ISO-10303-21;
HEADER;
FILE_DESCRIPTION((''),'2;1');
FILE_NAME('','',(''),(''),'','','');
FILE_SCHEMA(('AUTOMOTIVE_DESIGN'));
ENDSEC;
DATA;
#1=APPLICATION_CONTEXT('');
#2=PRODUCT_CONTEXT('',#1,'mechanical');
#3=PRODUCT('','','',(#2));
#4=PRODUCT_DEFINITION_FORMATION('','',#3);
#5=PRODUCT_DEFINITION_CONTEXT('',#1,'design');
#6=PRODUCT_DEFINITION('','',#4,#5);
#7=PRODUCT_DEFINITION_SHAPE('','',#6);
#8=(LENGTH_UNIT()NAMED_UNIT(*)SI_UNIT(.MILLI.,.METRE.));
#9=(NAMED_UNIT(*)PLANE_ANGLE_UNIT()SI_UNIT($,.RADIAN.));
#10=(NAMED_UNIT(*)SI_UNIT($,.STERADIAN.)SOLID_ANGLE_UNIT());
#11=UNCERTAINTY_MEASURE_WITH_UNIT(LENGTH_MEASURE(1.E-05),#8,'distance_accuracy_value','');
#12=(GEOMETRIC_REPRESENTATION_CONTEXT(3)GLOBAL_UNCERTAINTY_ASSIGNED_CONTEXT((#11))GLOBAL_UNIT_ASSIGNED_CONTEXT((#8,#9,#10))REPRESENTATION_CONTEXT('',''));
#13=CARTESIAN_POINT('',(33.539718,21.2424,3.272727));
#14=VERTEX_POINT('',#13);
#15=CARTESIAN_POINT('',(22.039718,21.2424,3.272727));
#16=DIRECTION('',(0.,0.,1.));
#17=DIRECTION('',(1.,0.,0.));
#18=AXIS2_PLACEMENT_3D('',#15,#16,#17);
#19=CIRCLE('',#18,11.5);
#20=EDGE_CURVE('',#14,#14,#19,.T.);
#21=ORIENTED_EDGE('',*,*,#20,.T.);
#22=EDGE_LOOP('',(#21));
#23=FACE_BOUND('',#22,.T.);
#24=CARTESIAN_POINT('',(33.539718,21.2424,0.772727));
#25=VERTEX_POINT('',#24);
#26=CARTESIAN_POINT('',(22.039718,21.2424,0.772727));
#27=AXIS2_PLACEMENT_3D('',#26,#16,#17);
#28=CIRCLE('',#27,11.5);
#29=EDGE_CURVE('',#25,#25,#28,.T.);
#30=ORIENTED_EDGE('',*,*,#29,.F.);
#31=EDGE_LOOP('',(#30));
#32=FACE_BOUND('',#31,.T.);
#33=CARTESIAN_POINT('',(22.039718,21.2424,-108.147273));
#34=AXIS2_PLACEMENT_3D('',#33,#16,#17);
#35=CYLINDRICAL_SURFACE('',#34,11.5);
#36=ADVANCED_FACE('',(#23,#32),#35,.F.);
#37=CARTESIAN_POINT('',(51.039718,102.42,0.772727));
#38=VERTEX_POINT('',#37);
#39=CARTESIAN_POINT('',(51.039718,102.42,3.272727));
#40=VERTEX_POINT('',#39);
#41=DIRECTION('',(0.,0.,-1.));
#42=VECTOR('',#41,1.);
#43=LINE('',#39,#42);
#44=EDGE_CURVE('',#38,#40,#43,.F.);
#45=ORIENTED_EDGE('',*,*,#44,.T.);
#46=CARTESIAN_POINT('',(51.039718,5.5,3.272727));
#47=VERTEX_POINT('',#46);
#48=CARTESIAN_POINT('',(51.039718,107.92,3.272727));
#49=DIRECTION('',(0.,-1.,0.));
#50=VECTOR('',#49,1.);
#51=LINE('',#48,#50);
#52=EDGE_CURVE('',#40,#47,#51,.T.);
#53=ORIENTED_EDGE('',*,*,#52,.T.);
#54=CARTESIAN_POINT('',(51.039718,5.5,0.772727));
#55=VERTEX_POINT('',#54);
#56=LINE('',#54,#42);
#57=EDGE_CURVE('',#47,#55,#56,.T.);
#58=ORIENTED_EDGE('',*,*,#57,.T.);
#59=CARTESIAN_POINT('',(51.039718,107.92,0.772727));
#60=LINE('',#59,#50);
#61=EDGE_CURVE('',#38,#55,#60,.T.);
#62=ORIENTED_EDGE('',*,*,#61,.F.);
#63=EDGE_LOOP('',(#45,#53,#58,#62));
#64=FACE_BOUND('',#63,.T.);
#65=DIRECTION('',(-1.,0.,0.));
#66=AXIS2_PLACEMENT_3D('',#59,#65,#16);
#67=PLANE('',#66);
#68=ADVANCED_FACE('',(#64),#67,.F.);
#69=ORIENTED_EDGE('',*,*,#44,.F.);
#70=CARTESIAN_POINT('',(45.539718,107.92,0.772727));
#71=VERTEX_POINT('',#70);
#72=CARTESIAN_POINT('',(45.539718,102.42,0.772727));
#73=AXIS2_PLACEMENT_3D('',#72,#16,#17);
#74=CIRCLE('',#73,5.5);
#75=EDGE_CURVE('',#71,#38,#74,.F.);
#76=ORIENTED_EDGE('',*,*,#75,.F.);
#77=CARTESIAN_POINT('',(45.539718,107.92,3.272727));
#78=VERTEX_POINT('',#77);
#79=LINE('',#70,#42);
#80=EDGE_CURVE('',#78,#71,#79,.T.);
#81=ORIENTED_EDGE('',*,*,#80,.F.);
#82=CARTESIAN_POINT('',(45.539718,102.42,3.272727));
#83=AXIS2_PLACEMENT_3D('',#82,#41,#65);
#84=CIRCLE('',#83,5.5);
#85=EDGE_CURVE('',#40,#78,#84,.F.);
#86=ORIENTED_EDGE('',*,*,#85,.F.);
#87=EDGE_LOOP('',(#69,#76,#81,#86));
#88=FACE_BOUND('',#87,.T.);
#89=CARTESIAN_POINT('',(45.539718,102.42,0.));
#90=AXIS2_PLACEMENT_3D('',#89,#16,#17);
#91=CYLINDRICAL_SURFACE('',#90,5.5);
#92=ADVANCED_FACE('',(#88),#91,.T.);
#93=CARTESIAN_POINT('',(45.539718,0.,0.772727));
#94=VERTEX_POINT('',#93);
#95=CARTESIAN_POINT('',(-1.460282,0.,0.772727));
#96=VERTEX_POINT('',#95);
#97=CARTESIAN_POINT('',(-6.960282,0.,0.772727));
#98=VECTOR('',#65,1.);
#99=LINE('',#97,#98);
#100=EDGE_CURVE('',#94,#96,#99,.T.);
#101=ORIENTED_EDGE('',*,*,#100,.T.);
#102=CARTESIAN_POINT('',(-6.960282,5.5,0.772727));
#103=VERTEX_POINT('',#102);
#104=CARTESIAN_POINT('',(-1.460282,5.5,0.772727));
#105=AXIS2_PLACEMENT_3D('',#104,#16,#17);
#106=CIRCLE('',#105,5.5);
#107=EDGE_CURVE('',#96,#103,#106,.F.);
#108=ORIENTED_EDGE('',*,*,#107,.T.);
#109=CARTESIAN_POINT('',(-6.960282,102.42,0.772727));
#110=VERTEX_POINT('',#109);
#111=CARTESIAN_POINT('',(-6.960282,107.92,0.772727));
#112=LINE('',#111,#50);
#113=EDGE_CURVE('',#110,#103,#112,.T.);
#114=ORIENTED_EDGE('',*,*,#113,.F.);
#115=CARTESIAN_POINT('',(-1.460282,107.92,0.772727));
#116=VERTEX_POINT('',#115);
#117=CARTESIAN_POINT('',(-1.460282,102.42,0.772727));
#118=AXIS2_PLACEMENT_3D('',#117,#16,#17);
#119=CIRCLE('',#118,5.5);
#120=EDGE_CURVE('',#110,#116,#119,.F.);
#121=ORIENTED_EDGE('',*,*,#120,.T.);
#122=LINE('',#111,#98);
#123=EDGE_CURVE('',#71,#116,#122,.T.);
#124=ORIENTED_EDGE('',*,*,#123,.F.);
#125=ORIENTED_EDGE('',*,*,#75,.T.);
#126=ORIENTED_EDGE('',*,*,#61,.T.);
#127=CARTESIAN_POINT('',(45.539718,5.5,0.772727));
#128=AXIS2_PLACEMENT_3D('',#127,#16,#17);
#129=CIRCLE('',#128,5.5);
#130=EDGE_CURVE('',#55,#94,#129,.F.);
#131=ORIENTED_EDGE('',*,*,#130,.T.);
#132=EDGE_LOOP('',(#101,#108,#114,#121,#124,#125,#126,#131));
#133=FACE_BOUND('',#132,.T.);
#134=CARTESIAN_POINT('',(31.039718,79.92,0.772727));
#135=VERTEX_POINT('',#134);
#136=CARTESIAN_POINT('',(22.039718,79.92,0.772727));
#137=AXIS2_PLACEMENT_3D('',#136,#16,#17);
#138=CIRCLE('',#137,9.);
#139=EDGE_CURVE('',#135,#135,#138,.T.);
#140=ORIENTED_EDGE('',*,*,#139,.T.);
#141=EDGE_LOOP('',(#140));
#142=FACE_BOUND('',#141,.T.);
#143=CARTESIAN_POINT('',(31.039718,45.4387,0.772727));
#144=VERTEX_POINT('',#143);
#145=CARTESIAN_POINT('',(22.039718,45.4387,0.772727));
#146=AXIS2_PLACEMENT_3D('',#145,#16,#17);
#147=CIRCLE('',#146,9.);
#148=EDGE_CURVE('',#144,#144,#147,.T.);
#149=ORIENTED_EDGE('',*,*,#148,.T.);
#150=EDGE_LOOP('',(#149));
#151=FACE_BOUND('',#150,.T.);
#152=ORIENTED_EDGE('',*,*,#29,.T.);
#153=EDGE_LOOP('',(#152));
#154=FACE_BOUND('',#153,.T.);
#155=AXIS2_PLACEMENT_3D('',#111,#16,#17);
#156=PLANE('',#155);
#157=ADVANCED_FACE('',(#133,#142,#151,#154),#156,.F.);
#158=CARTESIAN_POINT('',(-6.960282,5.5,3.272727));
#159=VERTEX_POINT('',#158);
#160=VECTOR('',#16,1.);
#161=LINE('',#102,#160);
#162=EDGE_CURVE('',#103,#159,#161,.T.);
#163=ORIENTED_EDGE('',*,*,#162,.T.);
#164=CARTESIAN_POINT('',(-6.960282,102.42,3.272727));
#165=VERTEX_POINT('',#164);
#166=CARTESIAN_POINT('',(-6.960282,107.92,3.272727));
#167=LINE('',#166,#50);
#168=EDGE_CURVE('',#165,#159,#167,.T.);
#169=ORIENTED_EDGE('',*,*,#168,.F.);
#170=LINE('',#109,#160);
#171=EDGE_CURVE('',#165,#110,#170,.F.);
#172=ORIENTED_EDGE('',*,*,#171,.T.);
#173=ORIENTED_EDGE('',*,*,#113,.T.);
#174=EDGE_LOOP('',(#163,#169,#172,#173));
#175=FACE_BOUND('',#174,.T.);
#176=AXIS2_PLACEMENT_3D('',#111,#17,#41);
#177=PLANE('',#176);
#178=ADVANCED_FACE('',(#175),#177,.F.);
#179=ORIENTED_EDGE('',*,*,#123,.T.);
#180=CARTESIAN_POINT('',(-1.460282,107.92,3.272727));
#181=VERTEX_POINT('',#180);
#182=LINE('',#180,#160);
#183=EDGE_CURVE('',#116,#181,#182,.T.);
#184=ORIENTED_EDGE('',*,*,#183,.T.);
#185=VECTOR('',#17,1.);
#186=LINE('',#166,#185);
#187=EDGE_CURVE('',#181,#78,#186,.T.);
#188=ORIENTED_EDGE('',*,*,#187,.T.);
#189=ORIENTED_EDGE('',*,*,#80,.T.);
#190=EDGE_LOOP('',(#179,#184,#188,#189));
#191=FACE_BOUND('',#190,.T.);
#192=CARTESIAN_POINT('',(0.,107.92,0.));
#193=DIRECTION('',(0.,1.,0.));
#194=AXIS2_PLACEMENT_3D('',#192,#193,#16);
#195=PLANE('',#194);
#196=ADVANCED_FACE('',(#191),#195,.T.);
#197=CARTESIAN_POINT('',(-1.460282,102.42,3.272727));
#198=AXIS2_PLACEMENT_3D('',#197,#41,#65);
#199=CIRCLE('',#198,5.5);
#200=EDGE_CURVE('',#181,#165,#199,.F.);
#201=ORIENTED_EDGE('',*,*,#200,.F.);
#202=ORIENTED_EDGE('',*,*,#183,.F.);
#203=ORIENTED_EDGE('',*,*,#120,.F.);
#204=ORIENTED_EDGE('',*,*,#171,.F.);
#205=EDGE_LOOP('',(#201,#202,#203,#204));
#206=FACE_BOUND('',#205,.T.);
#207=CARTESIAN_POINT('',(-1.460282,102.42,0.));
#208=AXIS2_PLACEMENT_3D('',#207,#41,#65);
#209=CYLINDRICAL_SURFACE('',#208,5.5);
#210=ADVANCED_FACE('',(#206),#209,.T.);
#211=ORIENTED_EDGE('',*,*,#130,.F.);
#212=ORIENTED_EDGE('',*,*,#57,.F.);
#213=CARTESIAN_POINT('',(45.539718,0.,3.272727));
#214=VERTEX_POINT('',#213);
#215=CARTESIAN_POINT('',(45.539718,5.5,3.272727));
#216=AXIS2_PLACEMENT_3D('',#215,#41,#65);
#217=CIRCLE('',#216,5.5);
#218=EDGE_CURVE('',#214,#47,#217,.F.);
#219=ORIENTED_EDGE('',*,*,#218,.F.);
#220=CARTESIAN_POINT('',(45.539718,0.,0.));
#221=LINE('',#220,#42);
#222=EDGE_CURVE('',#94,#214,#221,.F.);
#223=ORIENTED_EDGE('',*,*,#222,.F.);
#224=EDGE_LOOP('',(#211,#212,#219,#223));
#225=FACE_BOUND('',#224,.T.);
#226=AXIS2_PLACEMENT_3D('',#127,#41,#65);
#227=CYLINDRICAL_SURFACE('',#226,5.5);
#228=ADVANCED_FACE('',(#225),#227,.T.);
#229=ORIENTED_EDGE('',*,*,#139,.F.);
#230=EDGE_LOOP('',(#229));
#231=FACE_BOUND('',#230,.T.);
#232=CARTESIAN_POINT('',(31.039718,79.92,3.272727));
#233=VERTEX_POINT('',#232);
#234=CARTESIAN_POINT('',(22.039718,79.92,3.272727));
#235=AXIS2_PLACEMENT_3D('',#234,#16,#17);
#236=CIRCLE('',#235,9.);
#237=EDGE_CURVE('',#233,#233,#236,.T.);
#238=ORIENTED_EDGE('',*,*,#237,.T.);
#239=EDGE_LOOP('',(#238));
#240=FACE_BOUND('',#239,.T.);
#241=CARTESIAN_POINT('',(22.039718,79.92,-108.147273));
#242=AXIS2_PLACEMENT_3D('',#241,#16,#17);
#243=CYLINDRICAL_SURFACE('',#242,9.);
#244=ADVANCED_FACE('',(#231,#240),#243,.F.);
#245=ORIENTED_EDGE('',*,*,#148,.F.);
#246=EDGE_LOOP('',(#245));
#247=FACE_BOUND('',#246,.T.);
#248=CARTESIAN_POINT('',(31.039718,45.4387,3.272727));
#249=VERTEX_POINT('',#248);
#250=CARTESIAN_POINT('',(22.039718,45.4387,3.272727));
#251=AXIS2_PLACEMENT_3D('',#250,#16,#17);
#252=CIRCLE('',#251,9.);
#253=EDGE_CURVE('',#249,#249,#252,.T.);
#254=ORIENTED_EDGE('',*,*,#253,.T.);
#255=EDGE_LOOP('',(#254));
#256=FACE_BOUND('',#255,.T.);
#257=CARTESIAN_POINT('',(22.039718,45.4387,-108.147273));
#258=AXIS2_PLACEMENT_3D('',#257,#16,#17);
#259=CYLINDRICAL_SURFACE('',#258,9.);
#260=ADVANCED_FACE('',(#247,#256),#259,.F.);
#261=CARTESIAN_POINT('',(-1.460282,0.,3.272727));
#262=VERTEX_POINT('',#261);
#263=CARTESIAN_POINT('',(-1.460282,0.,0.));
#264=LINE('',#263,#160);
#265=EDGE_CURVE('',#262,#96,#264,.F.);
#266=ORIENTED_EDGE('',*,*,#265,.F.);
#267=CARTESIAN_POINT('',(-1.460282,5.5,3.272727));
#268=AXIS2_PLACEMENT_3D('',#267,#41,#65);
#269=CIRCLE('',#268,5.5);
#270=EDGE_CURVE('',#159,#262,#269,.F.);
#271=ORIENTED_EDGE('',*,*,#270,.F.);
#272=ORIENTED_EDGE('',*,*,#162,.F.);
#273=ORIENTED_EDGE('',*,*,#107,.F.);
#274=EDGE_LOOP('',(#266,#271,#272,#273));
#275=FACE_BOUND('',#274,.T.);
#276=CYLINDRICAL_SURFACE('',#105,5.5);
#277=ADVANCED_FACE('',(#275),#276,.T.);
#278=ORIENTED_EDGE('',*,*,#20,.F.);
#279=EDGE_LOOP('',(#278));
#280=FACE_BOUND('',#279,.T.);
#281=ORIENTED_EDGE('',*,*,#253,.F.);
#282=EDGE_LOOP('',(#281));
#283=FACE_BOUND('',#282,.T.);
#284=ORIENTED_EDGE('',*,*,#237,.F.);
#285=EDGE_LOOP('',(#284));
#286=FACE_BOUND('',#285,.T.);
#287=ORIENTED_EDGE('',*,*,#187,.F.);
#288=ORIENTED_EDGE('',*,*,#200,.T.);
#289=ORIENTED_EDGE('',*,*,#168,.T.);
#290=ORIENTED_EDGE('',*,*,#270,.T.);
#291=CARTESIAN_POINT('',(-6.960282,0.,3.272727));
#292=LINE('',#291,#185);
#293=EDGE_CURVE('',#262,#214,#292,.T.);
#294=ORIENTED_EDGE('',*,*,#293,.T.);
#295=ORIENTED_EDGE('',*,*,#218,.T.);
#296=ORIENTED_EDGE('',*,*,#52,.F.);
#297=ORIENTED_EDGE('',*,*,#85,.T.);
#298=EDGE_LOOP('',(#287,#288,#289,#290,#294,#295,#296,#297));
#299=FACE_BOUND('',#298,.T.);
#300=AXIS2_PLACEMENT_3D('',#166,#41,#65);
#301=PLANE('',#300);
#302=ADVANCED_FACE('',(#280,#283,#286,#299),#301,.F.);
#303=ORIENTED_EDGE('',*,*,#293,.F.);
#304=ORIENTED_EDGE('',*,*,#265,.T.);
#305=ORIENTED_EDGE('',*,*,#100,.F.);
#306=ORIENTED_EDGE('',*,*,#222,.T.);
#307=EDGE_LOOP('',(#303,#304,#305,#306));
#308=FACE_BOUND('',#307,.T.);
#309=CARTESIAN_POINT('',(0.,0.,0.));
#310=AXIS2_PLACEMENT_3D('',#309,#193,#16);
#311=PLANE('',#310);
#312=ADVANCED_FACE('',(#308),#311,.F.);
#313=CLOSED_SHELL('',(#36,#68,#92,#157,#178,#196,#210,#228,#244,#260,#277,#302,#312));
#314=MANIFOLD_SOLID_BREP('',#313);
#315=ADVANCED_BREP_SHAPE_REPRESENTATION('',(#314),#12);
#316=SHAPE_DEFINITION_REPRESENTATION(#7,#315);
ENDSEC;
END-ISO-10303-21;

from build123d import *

# Parameters (mm, degrees)
ESBO_O1_W                = 58
ESBO_O1_H                = 2.5
RESSALTO_EXTRUS_O1_DEPTH = 107.92
FILETE1_R                = 5.5
ESBO_O2_R                = 9
CORTE_EXTRUS_O1_DEPTH    = 111.42
ESBO_O5_R                = 11.5
CORTE_EXTRUS_O2_DEPTH    = 111.42


with BuildPart() as part:
    # Esboço1 → Ressalto-extrusão1 (new body)
    with BuildSketch(Plane(origin=(0, 0, 0), x_dir=(1, 0, 0), z_dir=(0, 1, 0))):
        with Locations((22.039718439, -2.022727273)):
            Rectangle(ESBO_O1_W, ESBO_O1_H)
    extrude(amount=RESSALTO_EXTRUS_O1_DEPTH)

    # Filete1
    filete1_edges = [part.edges().sort_by_distance(p)[0] for p in [
        (51.039718439, 107.92, 2.022727273),
        (-6.960281561, 107.92, 2.022727273),
        (51.039718439, 0, 2.022727273),
        (-6.960281561, 0, 2.022727273),
    ]]
    fillet(filete1_edges, radius=FILETE1_R)

    # Esboço2 → Corte-extrusão1 (cut)
    with BuildSketch(Plane.XY.offset(3.272727273)):
        with Locations((22.039718439, 79.92)):
            Circle(ESBO_O2_R)
        with Locations((22.039718439, 45.4387)):
            Circle(ESBO_O2_R)
    extrude(amount=-CORTE_EXTRUS_O1_DEPTH, mode=Mode.SUBTRACT)

    # Esboço5 → Corte-extrusão2 (cut)
    with BuildSketch(Plane.XY.offset(3.272727273)):
        with Locations((22.039718439, 21.2424)):
            Circle(ESBO_O5_R)
    extrude(amount=-CORTE_EXTRUS_O2_DEPTH, mode=Mode.SUBTRACT)


solid = part.part
